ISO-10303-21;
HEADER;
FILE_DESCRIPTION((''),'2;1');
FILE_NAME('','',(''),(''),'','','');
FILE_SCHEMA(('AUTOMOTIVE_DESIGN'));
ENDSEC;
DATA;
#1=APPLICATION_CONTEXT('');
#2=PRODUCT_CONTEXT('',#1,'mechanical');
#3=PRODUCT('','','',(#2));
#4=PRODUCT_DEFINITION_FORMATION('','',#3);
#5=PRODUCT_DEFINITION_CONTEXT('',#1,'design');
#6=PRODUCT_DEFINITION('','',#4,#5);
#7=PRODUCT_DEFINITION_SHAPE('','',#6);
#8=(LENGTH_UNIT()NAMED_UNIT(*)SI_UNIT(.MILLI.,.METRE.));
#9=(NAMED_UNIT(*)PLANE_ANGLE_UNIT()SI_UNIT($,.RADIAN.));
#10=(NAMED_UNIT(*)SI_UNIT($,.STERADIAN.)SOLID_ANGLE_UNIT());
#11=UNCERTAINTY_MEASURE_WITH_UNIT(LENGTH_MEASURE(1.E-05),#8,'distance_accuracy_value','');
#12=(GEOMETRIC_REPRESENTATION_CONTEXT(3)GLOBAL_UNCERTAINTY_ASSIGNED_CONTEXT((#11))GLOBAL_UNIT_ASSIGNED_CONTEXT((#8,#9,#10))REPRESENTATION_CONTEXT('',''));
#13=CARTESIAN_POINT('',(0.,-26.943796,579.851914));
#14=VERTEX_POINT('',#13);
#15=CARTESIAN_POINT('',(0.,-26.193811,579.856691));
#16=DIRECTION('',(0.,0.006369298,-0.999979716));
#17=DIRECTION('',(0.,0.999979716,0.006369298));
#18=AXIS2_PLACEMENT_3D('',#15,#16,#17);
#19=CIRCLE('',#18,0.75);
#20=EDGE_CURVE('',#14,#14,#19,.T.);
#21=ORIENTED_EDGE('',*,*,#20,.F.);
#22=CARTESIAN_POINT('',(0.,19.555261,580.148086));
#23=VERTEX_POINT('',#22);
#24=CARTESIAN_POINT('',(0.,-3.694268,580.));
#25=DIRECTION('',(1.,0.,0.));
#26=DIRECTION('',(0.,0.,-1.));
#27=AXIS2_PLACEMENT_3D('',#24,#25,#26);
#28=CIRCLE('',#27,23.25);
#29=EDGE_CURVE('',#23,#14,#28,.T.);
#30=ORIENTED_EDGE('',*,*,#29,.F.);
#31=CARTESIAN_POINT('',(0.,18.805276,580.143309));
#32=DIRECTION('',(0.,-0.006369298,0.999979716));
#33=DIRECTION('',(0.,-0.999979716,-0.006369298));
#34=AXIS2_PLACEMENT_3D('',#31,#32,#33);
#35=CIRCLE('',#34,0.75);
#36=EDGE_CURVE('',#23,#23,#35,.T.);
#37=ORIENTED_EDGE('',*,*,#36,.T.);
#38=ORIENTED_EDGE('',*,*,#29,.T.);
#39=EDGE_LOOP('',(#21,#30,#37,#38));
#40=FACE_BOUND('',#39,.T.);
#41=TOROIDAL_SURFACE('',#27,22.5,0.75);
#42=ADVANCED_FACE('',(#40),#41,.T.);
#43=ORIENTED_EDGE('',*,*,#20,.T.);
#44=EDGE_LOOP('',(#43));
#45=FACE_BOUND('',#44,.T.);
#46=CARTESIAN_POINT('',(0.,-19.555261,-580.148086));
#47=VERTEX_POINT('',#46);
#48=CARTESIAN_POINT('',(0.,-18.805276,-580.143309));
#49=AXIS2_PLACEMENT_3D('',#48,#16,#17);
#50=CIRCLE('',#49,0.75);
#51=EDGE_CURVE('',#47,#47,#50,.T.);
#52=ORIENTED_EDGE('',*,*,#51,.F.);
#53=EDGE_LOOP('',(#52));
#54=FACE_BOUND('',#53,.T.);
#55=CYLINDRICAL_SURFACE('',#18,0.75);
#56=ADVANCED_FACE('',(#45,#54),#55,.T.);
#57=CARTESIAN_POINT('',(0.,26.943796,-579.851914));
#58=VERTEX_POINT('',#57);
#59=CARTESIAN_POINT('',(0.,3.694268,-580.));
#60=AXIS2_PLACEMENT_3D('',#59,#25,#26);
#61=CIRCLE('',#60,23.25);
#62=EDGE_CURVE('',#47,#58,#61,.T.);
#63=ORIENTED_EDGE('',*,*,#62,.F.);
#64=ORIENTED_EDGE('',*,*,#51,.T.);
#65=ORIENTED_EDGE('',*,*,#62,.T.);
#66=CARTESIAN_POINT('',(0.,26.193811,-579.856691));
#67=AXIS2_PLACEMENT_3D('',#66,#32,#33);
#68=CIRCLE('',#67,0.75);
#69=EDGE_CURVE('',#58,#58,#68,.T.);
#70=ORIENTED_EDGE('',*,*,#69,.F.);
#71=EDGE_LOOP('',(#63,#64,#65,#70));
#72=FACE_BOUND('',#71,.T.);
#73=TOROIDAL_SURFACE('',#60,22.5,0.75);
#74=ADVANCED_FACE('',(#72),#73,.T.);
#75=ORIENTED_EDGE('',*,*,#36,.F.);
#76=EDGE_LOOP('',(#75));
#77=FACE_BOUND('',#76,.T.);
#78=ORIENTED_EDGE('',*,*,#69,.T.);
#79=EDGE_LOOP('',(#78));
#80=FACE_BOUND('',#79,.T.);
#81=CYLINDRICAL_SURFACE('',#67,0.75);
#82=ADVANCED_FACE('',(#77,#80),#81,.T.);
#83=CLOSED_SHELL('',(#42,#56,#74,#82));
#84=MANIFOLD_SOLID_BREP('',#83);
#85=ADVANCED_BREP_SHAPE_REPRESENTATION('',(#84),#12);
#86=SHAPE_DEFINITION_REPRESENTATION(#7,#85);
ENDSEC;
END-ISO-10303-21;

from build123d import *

# Parameters (mm, degrees)
SWEEP1_PROFILE_R = 0.75


with BuildPart() as part:
    # Sweep1: sweep along a path in Sketch1
    with BuildLine(Plane(origin=(0, 0, 0), x_dir=(0, 0, -1), z_dir=(1, 0, 0))) as sweep1_path:
        Line((-580.143309195, 18.80527609), (579.856690805, 26.193811122))
        ThreePointArc((579.856690805, 26.193811122), (602.499543606, 3.837576711), (580.143309195, -18.80527609))
        Line((580.143309195, -18.80527609), (-579.856690805, -26.193811122))
        ThreePointArc((-579.856690805, -26.193811122), (-602.499543606, -3.837576711), (-580.143309195, 18.80527609))
    # Sweep1 profile (on start of the path) → Sweep1 (sweep)
    with BuildSketch(Plane(origin=(0, 18.80527609, 580.143309195), x_dir=(0, -0.9999797158186168, -0.006369297552985365), z_dir=(0, 0.006369297552985365, -0.9999797158186168))):
        Circle(SWEEP1_PROFILE_R)
    sweep(path=sweep1_path.line)


solid = part.part
